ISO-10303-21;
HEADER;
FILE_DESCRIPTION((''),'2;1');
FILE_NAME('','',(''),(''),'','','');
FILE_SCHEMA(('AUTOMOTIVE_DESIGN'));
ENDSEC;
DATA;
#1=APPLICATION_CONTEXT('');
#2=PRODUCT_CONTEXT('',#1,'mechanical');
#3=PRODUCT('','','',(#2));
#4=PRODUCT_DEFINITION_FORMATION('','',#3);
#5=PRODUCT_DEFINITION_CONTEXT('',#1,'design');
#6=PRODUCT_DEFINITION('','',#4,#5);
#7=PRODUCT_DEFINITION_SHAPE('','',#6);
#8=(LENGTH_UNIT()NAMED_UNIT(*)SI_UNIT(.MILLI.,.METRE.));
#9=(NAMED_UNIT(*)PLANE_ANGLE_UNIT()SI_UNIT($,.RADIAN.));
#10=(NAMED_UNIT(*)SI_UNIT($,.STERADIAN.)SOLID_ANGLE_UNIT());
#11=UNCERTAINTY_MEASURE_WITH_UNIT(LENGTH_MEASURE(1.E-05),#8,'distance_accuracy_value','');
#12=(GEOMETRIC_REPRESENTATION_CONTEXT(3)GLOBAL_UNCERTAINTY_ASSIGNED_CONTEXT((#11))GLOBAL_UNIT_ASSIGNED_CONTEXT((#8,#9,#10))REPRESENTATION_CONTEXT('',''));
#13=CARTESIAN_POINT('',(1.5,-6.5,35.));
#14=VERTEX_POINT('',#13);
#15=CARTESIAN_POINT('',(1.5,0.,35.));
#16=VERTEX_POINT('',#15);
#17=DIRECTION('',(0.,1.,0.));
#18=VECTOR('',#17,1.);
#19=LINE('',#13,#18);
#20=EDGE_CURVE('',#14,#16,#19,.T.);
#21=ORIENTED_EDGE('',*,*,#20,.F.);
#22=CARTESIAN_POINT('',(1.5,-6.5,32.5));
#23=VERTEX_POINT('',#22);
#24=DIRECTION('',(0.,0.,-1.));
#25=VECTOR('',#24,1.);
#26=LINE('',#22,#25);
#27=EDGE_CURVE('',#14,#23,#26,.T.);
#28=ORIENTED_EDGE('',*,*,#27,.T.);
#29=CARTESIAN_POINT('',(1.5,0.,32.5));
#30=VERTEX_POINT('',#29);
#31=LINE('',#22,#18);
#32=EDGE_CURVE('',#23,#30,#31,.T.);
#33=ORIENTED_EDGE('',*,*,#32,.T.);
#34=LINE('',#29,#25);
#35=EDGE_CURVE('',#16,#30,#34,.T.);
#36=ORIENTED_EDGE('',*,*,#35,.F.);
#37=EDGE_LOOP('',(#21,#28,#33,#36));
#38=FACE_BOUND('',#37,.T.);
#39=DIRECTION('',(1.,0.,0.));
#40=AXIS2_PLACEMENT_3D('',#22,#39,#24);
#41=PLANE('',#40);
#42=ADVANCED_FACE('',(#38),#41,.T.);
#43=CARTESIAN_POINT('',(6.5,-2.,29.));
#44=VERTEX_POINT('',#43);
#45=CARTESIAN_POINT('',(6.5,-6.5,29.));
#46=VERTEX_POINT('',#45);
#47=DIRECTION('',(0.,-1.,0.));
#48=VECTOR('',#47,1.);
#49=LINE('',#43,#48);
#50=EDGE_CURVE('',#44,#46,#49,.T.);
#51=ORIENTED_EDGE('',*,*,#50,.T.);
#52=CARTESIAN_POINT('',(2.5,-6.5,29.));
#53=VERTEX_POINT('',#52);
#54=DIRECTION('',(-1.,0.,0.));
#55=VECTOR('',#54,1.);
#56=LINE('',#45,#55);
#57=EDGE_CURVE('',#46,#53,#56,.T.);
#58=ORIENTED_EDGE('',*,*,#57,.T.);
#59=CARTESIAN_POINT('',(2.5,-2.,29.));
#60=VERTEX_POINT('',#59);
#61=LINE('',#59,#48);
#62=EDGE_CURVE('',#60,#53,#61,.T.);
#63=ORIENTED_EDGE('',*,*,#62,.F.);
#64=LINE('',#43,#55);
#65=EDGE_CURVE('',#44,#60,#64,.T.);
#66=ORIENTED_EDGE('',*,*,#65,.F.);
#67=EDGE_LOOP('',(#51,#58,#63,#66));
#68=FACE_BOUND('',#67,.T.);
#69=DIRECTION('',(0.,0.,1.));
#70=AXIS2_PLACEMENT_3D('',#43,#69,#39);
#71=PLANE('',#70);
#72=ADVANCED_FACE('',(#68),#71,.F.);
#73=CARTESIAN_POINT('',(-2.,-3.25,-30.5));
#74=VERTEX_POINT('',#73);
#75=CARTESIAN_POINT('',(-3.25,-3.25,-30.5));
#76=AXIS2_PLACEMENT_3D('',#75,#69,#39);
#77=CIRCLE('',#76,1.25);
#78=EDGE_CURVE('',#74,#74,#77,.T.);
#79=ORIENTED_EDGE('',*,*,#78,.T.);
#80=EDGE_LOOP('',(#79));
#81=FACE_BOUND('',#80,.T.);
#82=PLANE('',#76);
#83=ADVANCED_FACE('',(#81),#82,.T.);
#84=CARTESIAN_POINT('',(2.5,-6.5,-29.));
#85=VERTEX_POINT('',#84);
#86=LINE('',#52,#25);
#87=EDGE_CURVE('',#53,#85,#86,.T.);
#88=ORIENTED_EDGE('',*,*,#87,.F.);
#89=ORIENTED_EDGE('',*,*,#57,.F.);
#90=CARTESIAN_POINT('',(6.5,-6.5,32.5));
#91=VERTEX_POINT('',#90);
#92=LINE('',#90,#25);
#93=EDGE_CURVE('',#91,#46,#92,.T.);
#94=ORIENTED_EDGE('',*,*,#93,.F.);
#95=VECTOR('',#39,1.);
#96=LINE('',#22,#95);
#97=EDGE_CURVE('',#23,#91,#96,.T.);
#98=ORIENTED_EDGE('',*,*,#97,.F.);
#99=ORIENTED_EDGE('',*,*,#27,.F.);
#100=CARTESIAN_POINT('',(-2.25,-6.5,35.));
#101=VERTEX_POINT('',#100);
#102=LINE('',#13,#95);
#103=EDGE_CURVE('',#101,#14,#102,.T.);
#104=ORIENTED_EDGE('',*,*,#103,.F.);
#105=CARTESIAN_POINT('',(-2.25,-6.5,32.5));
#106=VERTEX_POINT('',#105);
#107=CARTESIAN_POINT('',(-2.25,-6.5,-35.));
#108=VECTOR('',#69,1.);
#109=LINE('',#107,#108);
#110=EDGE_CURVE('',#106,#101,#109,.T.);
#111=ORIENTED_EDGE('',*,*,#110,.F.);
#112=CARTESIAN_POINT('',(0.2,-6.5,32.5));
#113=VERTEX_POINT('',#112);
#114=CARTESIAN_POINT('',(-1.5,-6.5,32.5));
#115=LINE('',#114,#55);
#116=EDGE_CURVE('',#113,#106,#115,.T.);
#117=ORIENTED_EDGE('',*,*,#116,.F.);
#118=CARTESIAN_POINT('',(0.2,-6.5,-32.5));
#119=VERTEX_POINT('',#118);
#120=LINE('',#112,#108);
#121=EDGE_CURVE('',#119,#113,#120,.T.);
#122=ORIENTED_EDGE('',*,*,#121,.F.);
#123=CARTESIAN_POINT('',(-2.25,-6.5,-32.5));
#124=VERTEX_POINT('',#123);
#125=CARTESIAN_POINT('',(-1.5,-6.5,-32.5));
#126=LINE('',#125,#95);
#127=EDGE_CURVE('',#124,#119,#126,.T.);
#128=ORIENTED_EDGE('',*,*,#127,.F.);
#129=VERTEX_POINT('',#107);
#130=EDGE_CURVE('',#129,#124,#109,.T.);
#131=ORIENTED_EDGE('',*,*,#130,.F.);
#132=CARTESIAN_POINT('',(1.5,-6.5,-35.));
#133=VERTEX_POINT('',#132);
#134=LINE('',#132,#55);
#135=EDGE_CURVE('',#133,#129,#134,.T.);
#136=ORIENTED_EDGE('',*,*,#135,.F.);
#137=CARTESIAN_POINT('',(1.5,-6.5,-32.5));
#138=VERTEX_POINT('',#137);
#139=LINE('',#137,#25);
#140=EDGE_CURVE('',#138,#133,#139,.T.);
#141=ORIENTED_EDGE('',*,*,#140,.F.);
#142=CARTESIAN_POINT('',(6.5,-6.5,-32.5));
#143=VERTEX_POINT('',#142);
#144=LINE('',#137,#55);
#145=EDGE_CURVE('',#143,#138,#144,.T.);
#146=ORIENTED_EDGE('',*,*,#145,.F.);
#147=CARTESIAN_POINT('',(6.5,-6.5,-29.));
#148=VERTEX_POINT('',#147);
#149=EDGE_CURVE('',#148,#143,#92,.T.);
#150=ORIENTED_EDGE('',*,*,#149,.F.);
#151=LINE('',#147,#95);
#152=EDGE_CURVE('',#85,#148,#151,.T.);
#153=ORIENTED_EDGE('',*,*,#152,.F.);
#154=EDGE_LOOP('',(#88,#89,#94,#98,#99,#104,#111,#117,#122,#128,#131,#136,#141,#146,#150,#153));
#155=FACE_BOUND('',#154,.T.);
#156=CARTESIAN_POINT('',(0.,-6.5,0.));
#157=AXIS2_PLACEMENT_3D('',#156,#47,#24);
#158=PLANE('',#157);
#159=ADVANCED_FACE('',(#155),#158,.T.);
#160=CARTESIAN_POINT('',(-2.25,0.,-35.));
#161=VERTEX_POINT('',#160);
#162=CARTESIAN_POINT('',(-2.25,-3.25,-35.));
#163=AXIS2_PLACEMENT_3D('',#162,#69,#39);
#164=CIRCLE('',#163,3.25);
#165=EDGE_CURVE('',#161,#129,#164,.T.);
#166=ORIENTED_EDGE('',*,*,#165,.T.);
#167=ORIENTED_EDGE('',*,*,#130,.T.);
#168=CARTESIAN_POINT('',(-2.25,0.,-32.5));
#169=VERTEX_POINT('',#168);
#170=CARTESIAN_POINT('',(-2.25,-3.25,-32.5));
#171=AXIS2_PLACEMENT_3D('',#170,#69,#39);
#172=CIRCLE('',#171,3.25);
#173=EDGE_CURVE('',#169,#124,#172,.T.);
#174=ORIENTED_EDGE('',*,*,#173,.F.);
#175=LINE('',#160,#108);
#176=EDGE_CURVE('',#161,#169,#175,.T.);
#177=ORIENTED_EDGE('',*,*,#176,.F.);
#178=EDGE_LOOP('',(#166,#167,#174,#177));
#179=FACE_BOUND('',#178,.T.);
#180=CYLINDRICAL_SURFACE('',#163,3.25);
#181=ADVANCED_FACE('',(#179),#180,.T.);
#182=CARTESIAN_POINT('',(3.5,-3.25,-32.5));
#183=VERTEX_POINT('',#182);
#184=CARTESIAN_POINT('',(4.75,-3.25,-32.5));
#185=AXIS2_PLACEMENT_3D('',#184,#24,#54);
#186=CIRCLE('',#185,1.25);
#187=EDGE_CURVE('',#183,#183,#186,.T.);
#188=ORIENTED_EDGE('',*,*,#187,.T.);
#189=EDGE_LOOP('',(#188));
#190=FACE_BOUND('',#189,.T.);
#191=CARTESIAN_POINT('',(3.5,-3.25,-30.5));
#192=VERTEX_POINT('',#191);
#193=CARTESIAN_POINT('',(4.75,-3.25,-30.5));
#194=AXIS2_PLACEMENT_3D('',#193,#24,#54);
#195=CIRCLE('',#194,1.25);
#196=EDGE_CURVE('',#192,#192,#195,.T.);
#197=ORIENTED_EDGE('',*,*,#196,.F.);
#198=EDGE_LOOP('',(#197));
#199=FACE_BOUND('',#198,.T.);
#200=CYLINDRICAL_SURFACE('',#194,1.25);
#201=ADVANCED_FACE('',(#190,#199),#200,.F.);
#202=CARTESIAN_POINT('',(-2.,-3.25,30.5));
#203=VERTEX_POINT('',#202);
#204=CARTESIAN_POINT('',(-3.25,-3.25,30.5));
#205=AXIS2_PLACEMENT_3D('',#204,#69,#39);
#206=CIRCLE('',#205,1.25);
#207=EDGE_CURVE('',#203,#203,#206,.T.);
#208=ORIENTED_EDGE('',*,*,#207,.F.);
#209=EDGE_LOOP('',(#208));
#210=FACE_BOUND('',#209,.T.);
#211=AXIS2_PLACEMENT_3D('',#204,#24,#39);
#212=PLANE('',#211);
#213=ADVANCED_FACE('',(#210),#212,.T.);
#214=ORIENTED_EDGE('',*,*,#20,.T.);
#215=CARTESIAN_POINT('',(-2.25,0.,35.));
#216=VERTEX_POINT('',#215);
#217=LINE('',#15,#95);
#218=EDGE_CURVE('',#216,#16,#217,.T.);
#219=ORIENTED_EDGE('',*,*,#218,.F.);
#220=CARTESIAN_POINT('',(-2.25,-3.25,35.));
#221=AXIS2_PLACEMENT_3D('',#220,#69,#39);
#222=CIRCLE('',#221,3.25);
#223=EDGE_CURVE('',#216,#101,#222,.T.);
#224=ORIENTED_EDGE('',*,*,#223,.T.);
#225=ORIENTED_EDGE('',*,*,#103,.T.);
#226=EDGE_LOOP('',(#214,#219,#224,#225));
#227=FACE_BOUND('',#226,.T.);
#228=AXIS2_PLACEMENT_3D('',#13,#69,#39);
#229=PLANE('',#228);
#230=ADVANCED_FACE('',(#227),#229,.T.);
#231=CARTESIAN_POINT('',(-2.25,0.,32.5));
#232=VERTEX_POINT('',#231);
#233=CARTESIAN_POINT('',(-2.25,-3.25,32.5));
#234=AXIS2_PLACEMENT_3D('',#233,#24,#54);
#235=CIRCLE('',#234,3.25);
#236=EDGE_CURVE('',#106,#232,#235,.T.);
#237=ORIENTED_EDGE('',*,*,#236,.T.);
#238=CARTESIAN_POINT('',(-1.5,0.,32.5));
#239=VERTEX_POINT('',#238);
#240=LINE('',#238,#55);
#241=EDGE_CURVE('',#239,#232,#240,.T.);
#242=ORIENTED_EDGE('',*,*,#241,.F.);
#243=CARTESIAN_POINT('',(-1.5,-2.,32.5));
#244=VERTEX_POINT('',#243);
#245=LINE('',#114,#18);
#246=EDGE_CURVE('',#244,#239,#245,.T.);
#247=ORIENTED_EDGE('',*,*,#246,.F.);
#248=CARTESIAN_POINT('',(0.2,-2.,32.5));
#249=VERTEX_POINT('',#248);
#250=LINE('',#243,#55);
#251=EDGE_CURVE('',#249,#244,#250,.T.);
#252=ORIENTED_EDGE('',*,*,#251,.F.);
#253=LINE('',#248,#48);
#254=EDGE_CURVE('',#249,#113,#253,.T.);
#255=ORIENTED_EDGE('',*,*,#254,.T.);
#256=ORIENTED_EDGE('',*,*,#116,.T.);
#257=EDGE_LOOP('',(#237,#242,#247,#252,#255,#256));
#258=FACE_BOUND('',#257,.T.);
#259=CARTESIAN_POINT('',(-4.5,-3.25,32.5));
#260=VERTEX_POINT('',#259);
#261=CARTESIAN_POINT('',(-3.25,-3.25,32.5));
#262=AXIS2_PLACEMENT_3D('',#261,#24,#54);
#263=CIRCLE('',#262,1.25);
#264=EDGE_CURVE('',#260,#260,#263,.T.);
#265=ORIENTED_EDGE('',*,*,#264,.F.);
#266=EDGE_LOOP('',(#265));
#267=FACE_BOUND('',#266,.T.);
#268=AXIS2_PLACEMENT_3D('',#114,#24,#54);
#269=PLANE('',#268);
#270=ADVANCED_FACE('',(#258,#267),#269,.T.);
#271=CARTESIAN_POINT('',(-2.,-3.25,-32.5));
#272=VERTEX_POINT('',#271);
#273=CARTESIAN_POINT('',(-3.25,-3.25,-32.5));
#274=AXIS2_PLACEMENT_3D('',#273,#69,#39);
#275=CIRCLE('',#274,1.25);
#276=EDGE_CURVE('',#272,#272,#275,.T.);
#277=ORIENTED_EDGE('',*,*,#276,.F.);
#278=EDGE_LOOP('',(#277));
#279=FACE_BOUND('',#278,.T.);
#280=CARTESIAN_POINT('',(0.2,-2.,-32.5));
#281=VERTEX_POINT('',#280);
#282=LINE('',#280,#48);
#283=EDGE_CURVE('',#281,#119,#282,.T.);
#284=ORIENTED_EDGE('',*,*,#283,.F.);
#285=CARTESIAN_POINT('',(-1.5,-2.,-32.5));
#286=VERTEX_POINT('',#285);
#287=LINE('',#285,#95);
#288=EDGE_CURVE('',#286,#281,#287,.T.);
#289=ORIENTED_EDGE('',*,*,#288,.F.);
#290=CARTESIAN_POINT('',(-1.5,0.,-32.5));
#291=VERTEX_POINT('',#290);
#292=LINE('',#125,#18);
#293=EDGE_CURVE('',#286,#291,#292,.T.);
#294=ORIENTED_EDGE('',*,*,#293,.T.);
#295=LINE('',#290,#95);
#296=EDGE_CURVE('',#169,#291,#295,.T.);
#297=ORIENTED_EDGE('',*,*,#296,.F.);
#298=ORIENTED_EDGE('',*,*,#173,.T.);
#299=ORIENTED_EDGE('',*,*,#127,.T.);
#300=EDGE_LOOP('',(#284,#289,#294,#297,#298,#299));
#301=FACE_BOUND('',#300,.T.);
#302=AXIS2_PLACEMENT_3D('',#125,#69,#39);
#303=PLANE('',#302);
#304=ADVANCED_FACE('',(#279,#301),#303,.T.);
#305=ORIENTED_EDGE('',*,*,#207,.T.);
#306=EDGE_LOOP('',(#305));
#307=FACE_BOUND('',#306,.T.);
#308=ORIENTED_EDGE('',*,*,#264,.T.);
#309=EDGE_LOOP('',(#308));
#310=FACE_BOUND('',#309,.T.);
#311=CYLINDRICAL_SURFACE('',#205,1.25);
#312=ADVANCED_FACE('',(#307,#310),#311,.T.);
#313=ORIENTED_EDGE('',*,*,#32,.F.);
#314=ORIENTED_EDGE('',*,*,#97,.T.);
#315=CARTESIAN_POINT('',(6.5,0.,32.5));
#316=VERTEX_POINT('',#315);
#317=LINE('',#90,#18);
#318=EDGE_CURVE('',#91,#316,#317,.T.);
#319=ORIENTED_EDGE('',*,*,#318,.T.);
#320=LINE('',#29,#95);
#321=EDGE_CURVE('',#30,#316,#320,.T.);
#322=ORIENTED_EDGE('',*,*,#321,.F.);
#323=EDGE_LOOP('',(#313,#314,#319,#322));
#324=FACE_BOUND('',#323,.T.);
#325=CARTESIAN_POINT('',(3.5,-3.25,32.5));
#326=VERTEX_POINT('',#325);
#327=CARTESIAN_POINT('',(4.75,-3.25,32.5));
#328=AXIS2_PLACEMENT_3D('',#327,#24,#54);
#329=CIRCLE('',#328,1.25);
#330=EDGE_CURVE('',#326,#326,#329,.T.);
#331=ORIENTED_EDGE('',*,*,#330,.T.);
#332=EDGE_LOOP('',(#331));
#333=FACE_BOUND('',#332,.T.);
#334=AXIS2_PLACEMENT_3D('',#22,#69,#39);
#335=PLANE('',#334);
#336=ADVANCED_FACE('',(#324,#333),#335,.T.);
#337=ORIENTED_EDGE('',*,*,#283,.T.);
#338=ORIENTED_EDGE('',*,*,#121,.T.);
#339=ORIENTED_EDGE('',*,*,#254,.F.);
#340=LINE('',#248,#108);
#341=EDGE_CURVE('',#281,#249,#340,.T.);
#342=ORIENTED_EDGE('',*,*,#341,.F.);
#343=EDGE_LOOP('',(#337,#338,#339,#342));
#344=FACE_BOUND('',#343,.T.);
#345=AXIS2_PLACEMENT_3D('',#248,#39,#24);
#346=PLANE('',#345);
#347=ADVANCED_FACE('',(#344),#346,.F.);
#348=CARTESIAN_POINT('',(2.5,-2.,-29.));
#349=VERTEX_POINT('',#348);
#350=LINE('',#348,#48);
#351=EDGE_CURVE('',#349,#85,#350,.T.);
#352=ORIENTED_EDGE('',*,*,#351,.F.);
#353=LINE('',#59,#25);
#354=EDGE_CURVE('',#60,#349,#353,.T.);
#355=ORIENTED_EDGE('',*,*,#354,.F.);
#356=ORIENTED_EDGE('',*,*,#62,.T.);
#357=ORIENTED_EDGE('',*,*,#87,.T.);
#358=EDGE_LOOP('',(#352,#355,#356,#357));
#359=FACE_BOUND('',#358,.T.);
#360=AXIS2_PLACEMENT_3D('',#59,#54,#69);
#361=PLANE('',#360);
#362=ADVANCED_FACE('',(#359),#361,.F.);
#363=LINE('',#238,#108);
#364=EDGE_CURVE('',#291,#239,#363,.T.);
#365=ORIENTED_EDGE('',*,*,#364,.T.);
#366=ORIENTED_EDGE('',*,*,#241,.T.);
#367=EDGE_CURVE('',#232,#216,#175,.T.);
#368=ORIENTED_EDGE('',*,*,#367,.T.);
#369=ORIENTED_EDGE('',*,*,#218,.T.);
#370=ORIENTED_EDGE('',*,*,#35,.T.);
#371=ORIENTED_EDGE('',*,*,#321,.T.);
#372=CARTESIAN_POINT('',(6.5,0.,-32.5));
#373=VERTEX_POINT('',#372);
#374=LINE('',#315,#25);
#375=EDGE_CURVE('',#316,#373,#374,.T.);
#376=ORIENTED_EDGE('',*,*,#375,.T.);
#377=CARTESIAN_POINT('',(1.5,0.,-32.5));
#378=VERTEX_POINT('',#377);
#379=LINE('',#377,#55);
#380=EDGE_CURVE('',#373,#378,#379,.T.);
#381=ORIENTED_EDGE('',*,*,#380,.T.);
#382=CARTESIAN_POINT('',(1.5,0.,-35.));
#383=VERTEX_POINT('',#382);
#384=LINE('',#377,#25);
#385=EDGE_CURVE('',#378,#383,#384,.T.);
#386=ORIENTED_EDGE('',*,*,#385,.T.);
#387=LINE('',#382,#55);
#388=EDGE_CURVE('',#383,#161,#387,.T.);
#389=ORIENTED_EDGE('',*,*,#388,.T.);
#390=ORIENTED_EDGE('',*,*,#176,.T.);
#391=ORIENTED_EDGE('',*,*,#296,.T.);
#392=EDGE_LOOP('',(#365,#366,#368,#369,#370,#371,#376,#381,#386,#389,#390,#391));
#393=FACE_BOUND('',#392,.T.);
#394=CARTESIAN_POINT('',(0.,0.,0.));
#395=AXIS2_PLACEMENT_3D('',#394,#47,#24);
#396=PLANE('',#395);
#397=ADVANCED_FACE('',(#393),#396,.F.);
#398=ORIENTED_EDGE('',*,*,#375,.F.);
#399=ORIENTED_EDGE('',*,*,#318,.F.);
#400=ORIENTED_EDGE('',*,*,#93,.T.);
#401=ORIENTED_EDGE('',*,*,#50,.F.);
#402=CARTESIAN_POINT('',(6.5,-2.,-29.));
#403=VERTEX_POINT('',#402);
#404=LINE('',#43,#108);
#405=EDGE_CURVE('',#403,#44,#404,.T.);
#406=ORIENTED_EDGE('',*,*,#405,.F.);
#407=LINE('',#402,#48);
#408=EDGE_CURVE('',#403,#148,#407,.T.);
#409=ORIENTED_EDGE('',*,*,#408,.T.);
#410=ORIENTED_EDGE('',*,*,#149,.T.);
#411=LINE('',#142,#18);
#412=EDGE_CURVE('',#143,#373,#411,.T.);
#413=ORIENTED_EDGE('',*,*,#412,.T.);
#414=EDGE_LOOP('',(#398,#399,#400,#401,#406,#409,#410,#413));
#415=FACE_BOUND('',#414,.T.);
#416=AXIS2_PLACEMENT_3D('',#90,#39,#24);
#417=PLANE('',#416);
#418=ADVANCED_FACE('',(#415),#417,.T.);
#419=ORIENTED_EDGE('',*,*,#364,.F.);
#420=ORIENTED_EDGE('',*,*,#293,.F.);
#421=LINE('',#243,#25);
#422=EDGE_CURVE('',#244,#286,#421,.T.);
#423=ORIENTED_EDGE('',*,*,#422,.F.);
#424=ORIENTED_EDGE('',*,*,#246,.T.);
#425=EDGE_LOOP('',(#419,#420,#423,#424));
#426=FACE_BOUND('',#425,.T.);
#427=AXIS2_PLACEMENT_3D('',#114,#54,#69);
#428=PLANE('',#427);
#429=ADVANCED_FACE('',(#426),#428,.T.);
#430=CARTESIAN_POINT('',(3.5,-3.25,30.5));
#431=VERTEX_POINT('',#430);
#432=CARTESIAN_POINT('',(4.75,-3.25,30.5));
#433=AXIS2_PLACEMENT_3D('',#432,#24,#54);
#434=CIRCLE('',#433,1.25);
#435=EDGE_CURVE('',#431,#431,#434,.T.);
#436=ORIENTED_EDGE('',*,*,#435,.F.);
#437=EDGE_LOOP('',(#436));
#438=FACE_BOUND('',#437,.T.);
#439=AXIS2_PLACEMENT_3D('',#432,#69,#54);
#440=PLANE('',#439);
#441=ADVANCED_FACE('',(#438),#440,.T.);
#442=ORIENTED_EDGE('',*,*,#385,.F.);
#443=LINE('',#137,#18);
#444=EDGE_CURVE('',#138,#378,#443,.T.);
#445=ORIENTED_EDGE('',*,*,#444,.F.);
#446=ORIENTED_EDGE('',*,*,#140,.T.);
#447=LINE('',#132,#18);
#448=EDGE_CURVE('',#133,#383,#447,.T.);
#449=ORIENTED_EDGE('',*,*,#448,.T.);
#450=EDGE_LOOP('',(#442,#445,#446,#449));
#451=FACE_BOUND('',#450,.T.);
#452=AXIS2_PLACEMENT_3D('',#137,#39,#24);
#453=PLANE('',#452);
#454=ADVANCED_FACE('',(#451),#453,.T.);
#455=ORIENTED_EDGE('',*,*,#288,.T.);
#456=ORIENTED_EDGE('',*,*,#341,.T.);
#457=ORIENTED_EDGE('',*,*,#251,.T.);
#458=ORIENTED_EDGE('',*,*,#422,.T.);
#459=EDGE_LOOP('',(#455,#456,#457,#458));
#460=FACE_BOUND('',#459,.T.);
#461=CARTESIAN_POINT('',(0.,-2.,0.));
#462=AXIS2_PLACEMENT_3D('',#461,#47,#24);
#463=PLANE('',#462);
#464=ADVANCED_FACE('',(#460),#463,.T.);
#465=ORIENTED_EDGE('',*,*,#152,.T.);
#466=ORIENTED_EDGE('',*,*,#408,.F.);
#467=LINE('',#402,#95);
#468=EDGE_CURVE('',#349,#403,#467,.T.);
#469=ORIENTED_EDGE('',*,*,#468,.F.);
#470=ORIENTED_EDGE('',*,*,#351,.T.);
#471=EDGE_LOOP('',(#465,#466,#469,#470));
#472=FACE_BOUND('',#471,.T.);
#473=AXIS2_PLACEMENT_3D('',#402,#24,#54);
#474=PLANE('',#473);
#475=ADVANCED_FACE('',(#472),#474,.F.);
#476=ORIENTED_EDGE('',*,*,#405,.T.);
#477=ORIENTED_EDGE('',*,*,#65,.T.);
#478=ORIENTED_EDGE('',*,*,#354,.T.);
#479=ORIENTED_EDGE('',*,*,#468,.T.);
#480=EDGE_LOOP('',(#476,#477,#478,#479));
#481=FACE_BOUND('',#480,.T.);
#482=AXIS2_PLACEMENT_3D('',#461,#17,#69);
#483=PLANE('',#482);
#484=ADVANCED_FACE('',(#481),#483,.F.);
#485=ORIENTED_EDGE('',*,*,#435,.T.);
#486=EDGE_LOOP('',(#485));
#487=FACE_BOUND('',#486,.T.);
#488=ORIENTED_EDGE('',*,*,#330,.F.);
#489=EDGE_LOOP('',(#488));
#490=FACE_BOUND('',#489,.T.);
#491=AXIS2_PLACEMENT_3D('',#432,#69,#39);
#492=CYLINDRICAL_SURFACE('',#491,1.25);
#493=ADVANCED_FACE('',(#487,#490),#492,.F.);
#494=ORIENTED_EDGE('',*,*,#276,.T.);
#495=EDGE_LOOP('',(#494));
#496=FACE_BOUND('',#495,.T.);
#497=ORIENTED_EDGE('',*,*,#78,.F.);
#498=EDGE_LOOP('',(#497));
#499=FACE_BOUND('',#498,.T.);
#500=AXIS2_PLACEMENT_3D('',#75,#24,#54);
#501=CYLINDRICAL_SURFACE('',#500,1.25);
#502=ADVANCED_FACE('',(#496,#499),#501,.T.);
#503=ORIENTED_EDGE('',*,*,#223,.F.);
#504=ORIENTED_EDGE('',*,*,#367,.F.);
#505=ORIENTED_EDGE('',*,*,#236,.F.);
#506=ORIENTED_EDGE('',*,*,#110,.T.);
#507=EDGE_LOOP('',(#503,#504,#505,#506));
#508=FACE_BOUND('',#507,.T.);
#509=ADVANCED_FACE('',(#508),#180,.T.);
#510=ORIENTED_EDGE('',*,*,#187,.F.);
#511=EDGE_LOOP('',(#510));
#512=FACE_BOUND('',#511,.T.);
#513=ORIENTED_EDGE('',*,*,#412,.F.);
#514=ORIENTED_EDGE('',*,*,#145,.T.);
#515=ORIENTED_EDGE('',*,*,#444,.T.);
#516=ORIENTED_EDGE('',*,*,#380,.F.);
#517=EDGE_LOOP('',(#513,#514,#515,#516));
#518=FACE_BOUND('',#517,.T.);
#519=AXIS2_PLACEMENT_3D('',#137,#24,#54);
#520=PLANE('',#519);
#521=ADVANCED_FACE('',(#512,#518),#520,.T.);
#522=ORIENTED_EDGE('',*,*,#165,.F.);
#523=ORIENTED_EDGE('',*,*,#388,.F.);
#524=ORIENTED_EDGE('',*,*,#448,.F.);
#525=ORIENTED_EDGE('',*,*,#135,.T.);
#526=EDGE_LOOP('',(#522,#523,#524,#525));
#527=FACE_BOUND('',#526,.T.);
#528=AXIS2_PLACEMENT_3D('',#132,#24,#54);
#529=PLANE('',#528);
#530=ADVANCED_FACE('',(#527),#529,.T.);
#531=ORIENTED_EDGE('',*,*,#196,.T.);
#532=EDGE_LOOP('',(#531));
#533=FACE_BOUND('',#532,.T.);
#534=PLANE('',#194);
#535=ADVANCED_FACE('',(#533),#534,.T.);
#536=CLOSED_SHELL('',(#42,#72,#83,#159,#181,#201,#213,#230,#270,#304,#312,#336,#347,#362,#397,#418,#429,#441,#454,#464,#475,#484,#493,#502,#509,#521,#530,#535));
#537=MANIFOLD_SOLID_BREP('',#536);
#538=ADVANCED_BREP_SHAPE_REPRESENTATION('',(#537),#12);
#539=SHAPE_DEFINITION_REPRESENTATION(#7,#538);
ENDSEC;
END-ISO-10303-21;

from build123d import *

# Parameters (mm, degrees)
BOSS_EXTRUDE1_DEPTH = 6.5
CUT_EXTRUDE3_DEPTH  = 71.600991494
SKETCH4_W           = 4
SKETCH4_H           = 58
SKETCH4_W_2         = 1.7
SKETCH4_H_2         = 65
CUT_EXTRUDE4_DEPTH  = 4.5
SKETCH5_R           = 1.25
BOSS_EXTRUDE2_DEPTH = 2
SKETCH6_R           = 1.25
CUT_EXTRUDE5_DEPTH  = 2


with BuildPart() as part:
    # Sketch1 → Boss-Extrude1 (new body)
    with BuildSketch(Plane(origin=(0, 0, 0), x_dir=(1, 0, 0), z_dir=(0, 1, 0))):
        Polygon((1.5, -32.5), (6.5, -32.5), (6.5, 32.5), (1.5, 32.5), (1.5, 35), (-5.5, 35), (-5.5, 32.5), (-1.5, 32.5), (-1.5, -32.5), (-5.5, -32.5), (-5.5, -35), (1.5, -35), align=None)
    extrude(amount=-BOSS_EXTRUDE1_DEPTH)

    # Sketch3 → Cut-Extrude3 (cut, through all)
    with BuildSketch(Plane.XY.offset(35)):
        with BuildLine():
            Line((-5.5, 0), (-5.5, -3.25))
            ThreePointArc((-5.5, -3.25), (-4.548097039, -0.951902961), (-2.25, 0))
            Line((-2.25, 0), (-5.5, 0))
        make_face()
        with BuildLine():
            Line((-5.5, -6.5), (-2.25, -6.5))
            ThreePointArc((-2.25, -6.5), (-4.548097039, -5.548097039), (-5.5, -3.25))
            Line((-5.5, -3.25), (-5.5, -6.5))
        make_face()
    extrude(amount=-CUT_EXTRUDE3_DEPTH, mode=Mode.SUBTRACT)

    # Sketch4 → Cut-Extrude4 (cut)
    with BuildSketch(Plane.XZ.offset(6.5)):
        with Locations((4.5, 0)):
            Rectangle(SKETCH4_W, SKETCH4_H)
        with Locations((-0.65, 0)):
            Rectangle(SKETCH4_W_2, SKETCH4_H_2)
    extrude(amount=-CUT_EXTRUDE4_DEPTH, mode=Mode.SUBTRACT)

    # Sketch5 → Boss-Extrude2 (add)
    with BuildSketch(Plane.XY.offset(-32.5)):
        with Locations((-3.25, -3.25)):
            Circle(SKETCH5_R)
    boss_extrude2 = extrude(amount=BOSS_EXTRUDE2_DEPTH)

    # Sketch6 → Cut-Extrude5 (cut)
    with BuildSketch(Plane(origin=(0, 0, -32.5), x_dir=(-1, 0, 0), z_dir=(0, 0, -1))):
        with Locations((-4.75, -3.25)):
            Circle(SKETCH6_R)
    cut_extrude5 = extrude(amount=-CUT_EXTRUDE5_DEPTH, mode=Mode.SUBTRACT)

    # Mirror1: Boss-Extrude2, Cut-Extrude5 across plane
    add(boss_extrude2.mirror(Plane.XY))
    add(cut_extrude5.mirror(Plane.XY), mode=Mode.SUBTRACT)


solid = part.part
